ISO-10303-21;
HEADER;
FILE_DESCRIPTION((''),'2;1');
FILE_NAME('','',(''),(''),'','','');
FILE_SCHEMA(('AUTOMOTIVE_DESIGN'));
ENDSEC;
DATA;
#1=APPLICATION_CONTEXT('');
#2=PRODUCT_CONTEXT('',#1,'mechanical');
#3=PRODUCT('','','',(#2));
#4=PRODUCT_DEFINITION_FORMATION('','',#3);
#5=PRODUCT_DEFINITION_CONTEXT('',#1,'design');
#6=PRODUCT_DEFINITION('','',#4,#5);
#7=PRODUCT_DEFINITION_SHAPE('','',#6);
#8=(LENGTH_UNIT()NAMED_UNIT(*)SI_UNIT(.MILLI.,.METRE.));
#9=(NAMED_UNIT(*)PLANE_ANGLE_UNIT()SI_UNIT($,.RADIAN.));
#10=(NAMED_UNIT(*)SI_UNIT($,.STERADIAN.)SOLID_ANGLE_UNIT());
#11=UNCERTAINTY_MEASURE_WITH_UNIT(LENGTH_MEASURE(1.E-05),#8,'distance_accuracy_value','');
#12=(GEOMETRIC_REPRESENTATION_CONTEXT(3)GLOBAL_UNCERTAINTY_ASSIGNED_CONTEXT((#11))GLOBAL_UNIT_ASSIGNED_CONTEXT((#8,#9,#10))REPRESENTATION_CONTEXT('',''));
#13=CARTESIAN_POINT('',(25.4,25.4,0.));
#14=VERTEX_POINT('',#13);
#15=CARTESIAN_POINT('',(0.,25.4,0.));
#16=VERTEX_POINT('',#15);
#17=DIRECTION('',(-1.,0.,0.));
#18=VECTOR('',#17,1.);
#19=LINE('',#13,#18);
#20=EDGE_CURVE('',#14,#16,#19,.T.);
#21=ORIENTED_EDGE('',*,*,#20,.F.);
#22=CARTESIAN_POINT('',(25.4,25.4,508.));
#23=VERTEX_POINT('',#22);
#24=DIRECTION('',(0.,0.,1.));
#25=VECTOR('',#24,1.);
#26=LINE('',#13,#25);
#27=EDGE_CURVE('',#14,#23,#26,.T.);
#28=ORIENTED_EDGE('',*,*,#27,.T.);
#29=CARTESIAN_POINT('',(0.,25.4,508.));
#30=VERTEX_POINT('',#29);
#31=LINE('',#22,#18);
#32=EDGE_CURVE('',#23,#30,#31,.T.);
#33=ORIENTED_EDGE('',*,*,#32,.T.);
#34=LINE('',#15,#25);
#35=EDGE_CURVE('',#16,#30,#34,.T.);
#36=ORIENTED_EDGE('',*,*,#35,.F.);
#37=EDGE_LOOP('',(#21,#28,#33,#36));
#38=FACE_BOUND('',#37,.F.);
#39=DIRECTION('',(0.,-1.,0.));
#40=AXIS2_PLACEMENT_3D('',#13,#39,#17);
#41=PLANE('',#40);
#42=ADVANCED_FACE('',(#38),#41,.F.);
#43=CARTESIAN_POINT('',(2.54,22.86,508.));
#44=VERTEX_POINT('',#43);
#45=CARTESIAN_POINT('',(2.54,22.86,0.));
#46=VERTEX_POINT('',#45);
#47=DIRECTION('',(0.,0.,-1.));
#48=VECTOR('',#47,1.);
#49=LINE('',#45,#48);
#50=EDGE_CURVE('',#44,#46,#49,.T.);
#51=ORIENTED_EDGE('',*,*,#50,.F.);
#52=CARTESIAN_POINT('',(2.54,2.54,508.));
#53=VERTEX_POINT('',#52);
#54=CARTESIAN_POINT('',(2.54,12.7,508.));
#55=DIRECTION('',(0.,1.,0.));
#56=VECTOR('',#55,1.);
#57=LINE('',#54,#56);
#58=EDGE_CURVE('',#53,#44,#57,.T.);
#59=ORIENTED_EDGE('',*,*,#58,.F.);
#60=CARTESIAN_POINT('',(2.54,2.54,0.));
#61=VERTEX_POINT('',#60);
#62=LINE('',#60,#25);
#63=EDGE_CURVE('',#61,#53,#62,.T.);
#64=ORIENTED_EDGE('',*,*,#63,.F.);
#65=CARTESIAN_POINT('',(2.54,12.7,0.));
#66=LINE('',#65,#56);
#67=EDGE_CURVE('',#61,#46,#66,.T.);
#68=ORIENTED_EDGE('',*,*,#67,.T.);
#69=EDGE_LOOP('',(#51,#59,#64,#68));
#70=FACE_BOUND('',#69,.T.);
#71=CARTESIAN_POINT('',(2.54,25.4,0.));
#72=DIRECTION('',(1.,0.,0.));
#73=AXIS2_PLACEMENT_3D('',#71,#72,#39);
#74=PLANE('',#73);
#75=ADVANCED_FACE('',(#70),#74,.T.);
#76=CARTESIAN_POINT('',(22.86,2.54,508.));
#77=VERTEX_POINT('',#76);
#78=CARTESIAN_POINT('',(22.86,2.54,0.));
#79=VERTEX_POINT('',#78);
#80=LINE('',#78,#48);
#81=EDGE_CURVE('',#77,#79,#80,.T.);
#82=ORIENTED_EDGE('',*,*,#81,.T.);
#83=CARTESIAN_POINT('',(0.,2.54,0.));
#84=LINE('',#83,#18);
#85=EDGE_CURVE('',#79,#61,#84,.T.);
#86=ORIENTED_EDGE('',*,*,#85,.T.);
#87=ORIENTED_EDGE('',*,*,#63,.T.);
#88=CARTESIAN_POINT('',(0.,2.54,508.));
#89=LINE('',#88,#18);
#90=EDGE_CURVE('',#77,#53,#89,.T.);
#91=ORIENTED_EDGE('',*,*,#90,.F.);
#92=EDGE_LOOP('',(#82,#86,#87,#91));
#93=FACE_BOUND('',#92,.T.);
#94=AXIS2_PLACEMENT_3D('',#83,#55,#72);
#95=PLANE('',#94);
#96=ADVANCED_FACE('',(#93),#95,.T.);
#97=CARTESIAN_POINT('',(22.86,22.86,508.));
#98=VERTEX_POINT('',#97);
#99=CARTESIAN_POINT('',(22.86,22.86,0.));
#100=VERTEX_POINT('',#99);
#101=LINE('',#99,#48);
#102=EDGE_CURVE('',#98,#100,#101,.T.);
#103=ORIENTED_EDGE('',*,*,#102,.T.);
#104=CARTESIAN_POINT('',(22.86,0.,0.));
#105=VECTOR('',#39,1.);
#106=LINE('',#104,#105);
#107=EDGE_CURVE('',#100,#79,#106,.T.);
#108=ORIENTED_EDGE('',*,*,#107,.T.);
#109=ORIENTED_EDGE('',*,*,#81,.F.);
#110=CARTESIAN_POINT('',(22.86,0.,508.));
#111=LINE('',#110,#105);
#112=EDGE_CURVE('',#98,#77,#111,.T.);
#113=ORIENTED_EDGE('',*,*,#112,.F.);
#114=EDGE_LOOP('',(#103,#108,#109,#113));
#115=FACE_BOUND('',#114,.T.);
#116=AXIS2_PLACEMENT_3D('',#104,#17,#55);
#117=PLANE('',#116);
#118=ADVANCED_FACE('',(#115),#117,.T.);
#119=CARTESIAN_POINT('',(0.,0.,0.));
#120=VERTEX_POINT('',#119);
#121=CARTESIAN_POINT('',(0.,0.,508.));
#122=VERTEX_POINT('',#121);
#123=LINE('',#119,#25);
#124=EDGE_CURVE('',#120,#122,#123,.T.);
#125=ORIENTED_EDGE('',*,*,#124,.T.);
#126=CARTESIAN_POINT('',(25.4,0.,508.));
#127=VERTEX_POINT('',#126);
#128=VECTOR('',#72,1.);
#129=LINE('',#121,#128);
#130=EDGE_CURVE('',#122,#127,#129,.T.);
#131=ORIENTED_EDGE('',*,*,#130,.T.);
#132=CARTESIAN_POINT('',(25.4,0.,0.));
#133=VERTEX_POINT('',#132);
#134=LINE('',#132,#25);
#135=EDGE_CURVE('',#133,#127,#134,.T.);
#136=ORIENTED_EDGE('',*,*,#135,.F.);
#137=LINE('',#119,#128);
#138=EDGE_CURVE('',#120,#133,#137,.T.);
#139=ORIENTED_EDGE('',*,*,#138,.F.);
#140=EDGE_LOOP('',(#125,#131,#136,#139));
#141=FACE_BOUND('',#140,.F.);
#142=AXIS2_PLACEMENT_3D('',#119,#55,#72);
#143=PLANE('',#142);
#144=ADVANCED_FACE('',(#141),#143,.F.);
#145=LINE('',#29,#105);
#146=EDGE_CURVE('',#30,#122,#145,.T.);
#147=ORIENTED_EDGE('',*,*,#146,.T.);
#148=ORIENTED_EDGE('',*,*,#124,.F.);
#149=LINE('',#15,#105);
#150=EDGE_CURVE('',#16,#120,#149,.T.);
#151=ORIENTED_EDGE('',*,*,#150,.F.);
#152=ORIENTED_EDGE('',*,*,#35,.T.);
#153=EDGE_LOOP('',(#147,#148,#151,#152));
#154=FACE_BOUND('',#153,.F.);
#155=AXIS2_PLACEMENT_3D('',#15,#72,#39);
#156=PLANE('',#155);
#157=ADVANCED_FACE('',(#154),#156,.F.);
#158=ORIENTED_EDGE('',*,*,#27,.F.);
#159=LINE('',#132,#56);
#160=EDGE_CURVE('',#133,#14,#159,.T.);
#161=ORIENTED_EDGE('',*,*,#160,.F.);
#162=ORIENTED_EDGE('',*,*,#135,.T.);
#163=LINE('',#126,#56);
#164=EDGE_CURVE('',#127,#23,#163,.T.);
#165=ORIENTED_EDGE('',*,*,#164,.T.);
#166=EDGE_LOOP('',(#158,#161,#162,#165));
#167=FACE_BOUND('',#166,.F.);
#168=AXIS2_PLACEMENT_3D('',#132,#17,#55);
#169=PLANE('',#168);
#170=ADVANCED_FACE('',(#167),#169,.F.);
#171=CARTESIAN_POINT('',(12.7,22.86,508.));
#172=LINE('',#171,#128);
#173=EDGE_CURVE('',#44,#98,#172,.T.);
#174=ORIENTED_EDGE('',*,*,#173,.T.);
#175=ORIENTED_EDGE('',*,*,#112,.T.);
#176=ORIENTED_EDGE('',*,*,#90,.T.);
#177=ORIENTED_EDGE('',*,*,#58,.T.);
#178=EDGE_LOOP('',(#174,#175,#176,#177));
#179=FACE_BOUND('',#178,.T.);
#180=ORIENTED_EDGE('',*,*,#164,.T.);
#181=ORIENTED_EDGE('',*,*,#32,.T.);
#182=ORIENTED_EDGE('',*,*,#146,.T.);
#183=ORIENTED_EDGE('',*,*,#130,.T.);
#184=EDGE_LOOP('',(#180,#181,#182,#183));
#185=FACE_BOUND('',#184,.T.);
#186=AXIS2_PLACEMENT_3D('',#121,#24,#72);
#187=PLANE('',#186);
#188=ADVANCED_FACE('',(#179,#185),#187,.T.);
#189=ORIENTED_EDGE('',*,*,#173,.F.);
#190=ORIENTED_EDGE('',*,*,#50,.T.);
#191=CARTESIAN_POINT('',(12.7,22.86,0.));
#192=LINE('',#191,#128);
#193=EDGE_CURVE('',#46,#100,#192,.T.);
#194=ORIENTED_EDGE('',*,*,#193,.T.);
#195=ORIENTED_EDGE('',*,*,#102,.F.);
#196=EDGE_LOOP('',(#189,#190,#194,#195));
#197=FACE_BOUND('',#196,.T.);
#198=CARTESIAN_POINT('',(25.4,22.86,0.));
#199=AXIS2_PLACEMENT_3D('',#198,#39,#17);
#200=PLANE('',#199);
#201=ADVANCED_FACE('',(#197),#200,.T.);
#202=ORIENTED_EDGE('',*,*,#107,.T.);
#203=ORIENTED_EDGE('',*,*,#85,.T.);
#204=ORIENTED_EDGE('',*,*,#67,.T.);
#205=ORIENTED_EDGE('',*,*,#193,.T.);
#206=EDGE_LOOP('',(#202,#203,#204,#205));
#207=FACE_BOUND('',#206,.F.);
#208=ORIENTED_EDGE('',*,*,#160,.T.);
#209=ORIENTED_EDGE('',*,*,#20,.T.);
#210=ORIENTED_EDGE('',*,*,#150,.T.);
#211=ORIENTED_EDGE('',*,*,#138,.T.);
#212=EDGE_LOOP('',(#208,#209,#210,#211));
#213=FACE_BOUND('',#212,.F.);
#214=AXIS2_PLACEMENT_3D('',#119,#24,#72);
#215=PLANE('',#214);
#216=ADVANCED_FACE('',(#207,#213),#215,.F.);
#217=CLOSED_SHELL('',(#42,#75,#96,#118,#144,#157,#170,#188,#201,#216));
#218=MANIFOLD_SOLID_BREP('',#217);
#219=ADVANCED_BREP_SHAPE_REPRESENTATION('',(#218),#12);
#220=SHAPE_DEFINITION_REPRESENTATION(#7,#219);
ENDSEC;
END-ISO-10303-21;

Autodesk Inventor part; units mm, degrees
ref_plane "YZ Plane" through (0, 0, 0) normal (1, 0, 0) x (0, 1, 0)
ref_plane "XZ Plane" through (0, 0, 0) normal (0, 1, 0) x (-1, 0, 0)
ref_plane "XY Plane" through (0, 0, 0) normal (0, 0, 1) x (1, 0, 0)
sketch "Sketch1" plane through (0, 0, 0) normal (0, 0, 1) x (1, 0, 0)
  line L0 (0, 0) -> (25.4, 0)
  line L1 (25.4, 0) -> (25.4, 25.4)
  line L2 (25.4, 25.4) -> (0, 25.4)
  line L3 (0, 25.4) -> (0, 0)
  dimension "d0" = 25.4
  dimension "d1" = 25.4
extrude "Extrusion1" add sketch "Sketch1" along normal blind 508
shell "Shell1" thickness 2.54 removed faces 2 at (8.4667, 16.9333, 0) at (8.4667, 16.9333, 508)
properties part number "22in"
